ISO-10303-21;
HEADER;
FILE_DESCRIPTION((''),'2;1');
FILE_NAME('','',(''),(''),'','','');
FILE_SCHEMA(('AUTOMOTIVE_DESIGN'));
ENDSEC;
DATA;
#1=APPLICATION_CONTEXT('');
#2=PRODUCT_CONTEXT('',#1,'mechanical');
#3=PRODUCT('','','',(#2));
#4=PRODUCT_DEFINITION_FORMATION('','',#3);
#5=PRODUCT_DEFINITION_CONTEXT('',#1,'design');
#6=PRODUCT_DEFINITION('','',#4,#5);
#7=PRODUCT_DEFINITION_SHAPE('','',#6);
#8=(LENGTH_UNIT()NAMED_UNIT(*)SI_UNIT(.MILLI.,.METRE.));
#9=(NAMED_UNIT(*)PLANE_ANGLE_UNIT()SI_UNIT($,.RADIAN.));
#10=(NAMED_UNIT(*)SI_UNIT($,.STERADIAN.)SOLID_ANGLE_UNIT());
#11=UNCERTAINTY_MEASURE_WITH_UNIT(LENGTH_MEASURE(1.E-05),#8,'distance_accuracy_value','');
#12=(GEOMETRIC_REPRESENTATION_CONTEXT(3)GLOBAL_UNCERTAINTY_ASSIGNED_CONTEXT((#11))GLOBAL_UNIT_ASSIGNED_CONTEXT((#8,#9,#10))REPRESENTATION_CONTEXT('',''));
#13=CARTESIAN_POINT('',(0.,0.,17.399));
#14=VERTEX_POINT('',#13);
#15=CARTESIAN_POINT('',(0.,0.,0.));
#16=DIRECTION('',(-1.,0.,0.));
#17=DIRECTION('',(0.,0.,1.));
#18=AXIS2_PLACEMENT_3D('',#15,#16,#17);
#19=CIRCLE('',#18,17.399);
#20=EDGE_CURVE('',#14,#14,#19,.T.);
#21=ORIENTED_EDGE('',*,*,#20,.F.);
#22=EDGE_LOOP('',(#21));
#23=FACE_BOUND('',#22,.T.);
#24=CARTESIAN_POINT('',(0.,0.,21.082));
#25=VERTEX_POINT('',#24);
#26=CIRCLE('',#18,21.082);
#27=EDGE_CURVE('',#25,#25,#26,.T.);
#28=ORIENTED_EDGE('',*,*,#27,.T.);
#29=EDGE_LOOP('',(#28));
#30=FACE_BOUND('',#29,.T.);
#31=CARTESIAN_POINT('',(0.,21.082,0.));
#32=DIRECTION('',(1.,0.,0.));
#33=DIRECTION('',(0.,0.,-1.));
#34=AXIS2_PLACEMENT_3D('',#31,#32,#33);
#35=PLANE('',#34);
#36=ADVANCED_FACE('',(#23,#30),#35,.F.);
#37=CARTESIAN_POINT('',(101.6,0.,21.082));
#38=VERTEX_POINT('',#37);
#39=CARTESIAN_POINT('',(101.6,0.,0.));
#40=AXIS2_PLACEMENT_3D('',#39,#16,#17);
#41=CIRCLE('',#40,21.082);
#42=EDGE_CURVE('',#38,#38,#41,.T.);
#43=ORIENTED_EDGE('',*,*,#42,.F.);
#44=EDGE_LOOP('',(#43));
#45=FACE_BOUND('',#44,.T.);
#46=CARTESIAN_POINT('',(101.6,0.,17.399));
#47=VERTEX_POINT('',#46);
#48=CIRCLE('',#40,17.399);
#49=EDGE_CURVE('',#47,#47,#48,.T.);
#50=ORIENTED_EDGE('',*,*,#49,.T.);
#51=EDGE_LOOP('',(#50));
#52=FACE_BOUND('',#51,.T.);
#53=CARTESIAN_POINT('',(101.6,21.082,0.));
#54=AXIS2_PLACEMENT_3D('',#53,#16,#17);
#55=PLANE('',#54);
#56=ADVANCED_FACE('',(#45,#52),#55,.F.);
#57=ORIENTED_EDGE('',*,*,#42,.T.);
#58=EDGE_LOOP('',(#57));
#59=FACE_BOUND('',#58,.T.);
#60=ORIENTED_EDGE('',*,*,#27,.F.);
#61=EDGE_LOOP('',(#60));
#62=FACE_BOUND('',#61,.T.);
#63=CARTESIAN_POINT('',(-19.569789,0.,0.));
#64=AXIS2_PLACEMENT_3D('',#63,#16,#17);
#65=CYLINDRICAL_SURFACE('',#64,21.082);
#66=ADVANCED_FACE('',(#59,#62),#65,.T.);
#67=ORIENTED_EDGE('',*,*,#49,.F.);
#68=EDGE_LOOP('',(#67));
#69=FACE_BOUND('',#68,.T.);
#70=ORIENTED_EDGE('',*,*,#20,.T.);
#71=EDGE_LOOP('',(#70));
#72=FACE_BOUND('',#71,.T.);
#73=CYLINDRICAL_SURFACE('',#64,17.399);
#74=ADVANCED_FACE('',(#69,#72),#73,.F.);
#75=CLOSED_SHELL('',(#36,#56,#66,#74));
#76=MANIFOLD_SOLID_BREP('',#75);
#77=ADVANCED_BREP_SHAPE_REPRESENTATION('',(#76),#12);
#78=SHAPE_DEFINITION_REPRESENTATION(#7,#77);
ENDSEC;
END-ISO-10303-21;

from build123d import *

# Parameters (mm, degrees)
SKETCH1_W = 101.6
SKETCH1_H = 3.683


with BuildPart() as part:
    # Sketch1 → Revolve1 (revolve)
    with BuildSketch(Plane.XY):
        with Locations((50.8, 19.2405)):
            Rectangle(SKETCH1_W, SKETCH1_H)
    revolve(axis=Axis((-19.56978903, 0, 0), (1, 0, 0)))


solid = part.part
